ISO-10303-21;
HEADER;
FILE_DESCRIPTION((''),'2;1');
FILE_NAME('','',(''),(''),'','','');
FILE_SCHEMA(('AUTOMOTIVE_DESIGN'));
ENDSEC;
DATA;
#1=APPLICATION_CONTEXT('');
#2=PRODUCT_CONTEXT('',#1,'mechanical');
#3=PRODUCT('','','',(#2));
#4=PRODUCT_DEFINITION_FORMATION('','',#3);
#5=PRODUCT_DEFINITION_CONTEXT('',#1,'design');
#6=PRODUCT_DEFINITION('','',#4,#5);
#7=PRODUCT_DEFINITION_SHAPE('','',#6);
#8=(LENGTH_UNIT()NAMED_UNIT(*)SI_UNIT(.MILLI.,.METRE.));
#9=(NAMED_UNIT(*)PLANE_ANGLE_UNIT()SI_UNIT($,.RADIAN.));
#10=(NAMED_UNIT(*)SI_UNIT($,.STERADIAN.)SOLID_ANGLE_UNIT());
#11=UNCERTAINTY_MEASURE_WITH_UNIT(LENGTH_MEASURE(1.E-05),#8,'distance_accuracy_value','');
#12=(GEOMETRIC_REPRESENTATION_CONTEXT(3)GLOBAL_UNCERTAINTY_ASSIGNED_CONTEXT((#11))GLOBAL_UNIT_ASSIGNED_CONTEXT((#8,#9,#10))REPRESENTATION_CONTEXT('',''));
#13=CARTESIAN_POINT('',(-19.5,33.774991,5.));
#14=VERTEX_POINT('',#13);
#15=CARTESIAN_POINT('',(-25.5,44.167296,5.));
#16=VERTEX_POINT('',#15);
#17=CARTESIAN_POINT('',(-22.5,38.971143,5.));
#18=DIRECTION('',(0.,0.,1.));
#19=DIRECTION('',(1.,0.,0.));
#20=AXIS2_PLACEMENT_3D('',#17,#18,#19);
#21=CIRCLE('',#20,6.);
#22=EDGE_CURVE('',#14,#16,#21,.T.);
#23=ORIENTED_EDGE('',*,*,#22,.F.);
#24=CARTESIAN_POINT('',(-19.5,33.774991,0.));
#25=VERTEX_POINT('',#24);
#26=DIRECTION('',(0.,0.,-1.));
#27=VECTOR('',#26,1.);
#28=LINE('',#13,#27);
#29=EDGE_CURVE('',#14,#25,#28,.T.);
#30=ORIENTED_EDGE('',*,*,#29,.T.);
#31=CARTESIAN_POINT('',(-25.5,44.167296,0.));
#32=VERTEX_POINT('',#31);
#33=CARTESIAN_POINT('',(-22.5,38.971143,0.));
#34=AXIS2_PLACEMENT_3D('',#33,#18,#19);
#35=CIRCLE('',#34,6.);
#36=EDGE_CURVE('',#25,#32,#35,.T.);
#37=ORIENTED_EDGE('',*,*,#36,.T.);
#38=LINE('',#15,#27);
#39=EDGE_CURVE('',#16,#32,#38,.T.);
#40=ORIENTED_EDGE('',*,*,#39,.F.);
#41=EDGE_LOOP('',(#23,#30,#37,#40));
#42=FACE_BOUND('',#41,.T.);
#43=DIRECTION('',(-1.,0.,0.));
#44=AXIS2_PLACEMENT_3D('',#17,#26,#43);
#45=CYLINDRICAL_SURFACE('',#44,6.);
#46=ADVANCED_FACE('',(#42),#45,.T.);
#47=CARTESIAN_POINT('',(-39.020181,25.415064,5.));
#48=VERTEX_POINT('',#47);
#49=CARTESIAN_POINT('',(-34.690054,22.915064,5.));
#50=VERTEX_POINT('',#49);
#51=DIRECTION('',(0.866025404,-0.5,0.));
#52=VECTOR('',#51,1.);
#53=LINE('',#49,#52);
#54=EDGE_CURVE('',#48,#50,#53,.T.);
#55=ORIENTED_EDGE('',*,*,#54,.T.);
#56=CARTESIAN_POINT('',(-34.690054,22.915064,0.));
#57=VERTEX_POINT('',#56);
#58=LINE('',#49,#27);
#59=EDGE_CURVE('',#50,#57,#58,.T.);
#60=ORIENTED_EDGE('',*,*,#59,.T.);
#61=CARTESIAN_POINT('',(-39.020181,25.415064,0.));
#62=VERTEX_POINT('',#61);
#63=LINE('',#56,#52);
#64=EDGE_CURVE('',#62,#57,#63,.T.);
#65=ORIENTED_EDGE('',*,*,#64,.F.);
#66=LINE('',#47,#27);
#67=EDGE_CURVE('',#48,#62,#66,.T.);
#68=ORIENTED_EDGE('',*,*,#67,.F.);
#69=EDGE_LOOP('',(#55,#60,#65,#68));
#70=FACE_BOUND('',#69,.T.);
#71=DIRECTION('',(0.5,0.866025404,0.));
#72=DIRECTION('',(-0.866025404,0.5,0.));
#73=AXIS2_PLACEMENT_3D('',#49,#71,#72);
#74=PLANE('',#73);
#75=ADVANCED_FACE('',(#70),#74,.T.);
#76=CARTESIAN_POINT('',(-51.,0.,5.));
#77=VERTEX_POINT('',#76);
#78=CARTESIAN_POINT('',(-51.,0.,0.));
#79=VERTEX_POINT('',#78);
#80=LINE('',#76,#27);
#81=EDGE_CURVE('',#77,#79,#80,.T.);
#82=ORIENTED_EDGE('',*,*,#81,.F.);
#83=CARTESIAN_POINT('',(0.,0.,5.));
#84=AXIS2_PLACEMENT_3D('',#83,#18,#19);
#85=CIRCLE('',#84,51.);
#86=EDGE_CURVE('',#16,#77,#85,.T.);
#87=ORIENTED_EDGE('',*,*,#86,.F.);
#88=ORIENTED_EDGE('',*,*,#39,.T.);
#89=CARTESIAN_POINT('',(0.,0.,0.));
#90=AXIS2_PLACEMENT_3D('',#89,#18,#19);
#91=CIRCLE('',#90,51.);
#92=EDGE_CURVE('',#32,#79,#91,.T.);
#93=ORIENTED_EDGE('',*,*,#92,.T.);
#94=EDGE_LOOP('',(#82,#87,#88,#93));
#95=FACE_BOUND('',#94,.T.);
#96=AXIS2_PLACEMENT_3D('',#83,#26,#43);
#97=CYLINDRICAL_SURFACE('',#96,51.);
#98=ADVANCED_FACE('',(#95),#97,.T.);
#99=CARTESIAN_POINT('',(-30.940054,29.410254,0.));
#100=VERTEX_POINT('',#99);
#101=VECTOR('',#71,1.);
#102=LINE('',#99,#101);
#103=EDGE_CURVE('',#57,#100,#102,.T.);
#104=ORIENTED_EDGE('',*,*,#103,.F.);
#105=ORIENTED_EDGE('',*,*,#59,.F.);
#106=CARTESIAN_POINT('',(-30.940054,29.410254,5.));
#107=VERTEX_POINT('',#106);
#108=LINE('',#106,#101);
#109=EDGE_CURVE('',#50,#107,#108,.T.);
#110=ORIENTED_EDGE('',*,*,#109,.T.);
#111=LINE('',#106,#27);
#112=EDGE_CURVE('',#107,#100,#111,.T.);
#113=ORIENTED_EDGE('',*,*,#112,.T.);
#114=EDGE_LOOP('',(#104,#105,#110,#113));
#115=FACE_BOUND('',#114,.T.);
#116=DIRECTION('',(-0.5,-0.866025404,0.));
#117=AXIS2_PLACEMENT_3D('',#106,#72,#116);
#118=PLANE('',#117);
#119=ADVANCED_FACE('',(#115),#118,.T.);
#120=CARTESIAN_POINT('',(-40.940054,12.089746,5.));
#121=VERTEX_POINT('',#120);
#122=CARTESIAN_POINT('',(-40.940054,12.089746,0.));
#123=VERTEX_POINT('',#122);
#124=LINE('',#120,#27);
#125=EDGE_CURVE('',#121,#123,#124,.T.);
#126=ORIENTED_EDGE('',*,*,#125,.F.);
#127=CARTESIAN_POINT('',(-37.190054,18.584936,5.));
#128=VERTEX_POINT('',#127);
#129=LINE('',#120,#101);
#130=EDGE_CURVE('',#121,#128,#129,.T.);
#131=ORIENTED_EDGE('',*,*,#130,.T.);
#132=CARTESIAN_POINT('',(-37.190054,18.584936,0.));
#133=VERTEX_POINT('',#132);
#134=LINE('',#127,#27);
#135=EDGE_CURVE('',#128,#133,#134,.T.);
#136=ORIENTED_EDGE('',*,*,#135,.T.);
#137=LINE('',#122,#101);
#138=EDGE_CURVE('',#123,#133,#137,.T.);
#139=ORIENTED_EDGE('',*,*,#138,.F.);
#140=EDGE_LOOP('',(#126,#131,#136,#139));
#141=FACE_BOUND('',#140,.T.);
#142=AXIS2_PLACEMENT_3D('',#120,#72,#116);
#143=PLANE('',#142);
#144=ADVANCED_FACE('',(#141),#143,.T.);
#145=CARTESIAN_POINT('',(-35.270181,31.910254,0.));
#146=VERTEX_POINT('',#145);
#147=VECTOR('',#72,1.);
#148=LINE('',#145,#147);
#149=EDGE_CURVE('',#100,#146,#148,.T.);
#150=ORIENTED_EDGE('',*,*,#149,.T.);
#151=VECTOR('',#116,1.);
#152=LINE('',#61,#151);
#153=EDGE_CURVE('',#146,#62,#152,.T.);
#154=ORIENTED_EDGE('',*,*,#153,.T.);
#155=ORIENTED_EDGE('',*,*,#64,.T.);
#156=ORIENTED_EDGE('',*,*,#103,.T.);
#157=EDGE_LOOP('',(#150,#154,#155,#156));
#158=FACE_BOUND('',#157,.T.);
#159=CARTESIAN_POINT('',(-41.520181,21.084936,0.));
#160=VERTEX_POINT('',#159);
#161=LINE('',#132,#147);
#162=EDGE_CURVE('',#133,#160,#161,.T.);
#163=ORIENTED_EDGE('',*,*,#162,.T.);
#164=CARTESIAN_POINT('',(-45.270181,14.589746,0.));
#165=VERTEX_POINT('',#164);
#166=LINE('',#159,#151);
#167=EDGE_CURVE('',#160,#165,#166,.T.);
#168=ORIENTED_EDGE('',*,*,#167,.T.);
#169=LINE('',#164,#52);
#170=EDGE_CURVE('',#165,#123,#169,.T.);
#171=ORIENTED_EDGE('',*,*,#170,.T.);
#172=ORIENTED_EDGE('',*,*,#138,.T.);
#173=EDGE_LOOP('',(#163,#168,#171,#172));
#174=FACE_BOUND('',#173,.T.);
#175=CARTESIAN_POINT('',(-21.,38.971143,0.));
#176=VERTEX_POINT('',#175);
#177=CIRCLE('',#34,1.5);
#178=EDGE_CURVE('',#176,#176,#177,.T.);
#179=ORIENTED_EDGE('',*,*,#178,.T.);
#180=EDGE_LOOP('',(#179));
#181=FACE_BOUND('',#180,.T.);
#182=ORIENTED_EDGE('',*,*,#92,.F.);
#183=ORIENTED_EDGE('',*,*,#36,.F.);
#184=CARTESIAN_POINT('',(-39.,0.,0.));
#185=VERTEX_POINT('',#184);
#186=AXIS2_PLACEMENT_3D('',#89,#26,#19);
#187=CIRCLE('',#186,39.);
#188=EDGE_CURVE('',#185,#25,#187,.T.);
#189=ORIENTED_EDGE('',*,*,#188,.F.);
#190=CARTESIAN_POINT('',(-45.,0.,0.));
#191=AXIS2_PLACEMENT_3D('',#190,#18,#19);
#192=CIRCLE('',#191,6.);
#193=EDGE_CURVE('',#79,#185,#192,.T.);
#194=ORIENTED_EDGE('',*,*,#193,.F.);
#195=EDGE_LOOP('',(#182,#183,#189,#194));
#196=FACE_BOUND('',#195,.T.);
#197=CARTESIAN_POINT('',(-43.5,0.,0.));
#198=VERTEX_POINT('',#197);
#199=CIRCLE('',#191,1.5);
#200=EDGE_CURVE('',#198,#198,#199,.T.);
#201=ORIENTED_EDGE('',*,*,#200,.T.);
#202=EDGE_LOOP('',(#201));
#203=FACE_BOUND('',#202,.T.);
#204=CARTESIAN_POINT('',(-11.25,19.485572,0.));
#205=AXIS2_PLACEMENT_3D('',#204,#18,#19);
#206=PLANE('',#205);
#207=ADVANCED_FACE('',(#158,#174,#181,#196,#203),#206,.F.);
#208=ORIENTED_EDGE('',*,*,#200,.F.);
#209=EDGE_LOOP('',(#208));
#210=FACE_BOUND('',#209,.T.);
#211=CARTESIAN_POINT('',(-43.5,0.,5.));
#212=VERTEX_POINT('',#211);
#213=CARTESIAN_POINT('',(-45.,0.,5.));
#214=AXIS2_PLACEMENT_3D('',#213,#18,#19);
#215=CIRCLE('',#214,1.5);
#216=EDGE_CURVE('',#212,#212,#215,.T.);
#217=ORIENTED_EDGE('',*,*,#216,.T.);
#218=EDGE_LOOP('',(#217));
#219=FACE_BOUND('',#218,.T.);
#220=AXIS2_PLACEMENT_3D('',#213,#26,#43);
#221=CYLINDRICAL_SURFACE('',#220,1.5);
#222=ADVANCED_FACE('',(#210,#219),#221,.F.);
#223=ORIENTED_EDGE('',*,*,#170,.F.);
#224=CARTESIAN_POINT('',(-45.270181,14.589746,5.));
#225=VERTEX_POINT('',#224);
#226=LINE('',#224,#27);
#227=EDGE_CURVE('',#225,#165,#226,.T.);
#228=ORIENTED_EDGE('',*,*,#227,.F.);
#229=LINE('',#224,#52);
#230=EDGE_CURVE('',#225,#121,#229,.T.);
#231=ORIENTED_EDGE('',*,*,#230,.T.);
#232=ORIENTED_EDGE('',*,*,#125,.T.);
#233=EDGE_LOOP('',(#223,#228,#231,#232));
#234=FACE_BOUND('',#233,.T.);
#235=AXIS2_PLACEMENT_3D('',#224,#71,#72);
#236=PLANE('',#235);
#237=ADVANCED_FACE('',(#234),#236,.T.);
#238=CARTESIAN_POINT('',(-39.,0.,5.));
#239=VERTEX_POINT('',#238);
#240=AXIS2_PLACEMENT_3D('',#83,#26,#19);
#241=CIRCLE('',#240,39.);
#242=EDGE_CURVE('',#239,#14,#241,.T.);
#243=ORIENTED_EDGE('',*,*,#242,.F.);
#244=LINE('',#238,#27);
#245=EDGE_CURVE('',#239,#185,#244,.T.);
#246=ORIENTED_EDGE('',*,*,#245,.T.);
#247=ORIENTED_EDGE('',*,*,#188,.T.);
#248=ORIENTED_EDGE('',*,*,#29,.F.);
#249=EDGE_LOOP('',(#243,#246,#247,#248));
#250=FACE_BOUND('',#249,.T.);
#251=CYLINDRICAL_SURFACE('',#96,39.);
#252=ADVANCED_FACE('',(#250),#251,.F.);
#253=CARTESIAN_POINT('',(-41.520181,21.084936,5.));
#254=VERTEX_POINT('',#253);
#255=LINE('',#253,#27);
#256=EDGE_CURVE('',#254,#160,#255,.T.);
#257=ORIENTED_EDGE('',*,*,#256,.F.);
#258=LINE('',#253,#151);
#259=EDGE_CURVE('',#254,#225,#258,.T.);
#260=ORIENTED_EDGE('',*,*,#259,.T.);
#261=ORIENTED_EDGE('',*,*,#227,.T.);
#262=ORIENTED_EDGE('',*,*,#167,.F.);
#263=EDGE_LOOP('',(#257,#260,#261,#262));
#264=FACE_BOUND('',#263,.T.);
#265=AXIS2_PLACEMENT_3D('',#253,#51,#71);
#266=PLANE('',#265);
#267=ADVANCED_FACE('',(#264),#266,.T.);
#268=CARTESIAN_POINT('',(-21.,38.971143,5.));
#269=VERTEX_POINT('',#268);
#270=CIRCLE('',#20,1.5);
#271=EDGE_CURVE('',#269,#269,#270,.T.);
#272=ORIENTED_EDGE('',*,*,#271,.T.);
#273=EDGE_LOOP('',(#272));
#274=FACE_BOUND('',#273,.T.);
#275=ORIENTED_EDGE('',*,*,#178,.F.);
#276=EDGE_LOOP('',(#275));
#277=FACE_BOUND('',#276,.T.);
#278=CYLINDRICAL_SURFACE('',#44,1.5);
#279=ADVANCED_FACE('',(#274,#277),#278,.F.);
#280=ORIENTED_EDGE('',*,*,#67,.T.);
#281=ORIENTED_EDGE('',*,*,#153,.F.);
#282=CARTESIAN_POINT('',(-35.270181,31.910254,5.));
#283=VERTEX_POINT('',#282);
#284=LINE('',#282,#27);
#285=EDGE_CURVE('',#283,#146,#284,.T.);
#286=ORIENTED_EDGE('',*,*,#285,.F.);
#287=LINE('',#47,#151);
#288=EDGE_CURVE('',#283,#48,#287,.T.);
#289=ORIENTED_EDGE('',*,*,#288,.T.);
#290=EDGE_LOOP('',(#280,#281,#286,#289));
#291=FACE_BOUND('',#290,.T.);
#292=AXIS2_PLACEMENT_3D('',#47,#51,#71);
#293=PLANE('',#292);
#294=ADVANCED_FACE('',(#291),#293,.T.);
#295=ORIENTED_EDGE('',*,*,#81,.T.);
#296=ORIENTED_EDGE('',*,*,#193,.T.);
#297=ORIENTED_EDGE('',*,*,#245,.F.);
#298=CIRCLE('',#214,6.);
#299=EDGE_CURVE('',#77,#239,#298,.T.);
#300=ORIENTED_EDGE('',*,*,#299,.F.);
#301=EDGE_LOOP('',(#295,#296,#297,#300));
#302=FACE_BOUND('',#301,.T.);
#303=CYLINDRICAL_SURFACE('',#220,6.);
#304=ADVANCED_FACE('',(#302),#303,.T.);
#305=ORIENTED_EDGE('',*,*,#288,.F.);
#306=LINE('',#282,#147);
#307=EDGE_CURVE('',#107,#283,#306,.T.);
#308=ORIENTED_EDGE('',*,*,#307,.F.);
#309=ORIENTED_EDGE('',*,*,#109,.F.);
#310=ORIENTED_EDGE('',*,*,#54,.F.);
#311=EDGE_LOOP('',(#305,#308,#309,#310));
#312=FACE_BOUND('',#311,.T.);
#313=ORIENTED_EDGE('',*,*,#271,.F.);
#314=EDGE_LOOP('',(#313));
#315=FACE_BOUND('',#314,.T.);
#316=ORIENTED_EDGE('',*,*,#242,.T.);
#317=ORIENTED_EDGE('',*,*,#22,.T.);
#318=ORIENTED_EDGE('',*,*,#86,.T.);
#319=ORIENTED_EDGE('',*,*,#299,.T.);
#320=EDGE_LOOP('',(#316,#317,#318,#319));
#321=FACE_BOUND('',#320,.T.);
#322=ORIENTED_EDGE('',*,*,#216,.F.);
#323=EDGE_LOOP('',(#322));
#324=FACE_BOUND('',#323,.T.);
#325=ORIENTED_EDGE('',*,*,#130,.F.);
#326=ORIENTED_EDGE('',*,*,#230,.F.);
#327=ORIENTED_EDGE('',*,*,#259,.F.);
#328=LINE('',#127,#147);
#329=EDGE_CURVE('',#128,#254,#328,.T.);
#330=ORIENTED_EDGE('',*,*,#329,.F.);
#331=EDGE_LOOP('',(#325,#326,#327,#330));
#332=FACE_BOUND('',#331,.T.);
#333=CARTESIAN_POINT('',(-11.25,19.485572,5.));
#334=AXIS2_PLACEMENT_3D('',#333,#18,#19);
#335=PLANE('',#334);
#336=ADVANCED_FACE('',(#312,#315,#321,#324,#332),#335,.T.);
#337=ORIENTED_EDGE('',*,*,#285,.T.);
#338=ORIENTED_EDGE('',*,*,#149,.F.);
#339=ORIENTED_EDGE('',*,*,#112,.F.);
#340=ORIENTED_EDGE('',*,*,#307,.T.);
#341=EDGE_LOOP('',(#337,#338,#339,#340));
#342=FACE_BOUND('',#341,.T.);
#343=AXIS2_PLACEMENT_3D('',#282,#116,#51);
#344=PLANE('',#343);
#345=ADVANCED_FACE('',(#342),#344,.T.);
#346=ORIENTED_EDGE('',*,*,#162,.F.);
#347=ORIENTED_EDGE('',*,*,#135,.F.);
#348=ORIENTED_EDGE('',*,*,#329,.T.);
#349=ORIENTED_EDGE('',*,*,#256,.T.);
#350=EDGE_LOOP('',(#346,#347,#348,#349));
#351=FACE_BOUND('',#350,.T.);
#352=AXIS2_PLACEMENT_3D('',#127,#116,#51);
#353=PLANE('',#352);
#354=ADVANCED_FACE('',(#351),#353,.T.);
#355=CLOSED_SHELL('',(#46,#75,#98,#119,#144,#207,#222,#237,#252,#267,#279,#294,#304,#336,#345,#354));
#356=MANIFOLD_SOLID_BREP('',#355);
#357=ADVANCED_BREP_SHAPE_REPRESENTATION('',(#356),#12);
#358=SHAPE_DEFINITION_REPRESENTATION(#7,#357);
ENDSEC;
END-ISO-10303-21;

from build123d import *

# Parameters (mm, degrees)
ESQUISSE1_R        = 1.5
BOSS_EXTRU_1_DEPTH = 5


with BuildPart() as part:
    # Esquisse1 → Boss.-Extru.1 (new body)
    with BuildSketch(Plane.XY):
        with BuildLine():
            ThreePointArc((-25.5, 44.167295593), (-44.167295593, 25.5), (-51, 0))
            ThreePointArc((-51, 0), (-45, -6), (-39, 0))
            ThreePointArc((-39, 0), (-33.774990748, 19.5), (-19.5, 33.774990748))
            ThreePointArc((-19.5, 33.774990748), (-17.303847577, 41.97114317), (-25.5, 44.167295593))
        make_face()
        with Locations((-22.5, 38.97114317)):
            Circle(ESQUISSE1_R, mode=Mode.SUBTRACT)
        with Locations((-45, 0)):
            Circle(ESQUISSE1_R, mode=Mode.SUBTRACT)
        Polygon((-30.940054257, 29.410254038), (-34.690054257, 22.915063509), (-39.020181276, 25.415063509), (-35.270181276, 31.910254038), align=None, mode=Mode.SUBTRACT)
        Polygon((-45.270181276, 14.589745962), (-40.940054257, 12.089745962), (-37.190054257, 18.584936491), (-41.520181276, 21.084936491), align=None, mode=Mode.SUBTRACT)
    extrude(amount=BOSS_EXTRU_1_DEPTH)


solid = part.part
